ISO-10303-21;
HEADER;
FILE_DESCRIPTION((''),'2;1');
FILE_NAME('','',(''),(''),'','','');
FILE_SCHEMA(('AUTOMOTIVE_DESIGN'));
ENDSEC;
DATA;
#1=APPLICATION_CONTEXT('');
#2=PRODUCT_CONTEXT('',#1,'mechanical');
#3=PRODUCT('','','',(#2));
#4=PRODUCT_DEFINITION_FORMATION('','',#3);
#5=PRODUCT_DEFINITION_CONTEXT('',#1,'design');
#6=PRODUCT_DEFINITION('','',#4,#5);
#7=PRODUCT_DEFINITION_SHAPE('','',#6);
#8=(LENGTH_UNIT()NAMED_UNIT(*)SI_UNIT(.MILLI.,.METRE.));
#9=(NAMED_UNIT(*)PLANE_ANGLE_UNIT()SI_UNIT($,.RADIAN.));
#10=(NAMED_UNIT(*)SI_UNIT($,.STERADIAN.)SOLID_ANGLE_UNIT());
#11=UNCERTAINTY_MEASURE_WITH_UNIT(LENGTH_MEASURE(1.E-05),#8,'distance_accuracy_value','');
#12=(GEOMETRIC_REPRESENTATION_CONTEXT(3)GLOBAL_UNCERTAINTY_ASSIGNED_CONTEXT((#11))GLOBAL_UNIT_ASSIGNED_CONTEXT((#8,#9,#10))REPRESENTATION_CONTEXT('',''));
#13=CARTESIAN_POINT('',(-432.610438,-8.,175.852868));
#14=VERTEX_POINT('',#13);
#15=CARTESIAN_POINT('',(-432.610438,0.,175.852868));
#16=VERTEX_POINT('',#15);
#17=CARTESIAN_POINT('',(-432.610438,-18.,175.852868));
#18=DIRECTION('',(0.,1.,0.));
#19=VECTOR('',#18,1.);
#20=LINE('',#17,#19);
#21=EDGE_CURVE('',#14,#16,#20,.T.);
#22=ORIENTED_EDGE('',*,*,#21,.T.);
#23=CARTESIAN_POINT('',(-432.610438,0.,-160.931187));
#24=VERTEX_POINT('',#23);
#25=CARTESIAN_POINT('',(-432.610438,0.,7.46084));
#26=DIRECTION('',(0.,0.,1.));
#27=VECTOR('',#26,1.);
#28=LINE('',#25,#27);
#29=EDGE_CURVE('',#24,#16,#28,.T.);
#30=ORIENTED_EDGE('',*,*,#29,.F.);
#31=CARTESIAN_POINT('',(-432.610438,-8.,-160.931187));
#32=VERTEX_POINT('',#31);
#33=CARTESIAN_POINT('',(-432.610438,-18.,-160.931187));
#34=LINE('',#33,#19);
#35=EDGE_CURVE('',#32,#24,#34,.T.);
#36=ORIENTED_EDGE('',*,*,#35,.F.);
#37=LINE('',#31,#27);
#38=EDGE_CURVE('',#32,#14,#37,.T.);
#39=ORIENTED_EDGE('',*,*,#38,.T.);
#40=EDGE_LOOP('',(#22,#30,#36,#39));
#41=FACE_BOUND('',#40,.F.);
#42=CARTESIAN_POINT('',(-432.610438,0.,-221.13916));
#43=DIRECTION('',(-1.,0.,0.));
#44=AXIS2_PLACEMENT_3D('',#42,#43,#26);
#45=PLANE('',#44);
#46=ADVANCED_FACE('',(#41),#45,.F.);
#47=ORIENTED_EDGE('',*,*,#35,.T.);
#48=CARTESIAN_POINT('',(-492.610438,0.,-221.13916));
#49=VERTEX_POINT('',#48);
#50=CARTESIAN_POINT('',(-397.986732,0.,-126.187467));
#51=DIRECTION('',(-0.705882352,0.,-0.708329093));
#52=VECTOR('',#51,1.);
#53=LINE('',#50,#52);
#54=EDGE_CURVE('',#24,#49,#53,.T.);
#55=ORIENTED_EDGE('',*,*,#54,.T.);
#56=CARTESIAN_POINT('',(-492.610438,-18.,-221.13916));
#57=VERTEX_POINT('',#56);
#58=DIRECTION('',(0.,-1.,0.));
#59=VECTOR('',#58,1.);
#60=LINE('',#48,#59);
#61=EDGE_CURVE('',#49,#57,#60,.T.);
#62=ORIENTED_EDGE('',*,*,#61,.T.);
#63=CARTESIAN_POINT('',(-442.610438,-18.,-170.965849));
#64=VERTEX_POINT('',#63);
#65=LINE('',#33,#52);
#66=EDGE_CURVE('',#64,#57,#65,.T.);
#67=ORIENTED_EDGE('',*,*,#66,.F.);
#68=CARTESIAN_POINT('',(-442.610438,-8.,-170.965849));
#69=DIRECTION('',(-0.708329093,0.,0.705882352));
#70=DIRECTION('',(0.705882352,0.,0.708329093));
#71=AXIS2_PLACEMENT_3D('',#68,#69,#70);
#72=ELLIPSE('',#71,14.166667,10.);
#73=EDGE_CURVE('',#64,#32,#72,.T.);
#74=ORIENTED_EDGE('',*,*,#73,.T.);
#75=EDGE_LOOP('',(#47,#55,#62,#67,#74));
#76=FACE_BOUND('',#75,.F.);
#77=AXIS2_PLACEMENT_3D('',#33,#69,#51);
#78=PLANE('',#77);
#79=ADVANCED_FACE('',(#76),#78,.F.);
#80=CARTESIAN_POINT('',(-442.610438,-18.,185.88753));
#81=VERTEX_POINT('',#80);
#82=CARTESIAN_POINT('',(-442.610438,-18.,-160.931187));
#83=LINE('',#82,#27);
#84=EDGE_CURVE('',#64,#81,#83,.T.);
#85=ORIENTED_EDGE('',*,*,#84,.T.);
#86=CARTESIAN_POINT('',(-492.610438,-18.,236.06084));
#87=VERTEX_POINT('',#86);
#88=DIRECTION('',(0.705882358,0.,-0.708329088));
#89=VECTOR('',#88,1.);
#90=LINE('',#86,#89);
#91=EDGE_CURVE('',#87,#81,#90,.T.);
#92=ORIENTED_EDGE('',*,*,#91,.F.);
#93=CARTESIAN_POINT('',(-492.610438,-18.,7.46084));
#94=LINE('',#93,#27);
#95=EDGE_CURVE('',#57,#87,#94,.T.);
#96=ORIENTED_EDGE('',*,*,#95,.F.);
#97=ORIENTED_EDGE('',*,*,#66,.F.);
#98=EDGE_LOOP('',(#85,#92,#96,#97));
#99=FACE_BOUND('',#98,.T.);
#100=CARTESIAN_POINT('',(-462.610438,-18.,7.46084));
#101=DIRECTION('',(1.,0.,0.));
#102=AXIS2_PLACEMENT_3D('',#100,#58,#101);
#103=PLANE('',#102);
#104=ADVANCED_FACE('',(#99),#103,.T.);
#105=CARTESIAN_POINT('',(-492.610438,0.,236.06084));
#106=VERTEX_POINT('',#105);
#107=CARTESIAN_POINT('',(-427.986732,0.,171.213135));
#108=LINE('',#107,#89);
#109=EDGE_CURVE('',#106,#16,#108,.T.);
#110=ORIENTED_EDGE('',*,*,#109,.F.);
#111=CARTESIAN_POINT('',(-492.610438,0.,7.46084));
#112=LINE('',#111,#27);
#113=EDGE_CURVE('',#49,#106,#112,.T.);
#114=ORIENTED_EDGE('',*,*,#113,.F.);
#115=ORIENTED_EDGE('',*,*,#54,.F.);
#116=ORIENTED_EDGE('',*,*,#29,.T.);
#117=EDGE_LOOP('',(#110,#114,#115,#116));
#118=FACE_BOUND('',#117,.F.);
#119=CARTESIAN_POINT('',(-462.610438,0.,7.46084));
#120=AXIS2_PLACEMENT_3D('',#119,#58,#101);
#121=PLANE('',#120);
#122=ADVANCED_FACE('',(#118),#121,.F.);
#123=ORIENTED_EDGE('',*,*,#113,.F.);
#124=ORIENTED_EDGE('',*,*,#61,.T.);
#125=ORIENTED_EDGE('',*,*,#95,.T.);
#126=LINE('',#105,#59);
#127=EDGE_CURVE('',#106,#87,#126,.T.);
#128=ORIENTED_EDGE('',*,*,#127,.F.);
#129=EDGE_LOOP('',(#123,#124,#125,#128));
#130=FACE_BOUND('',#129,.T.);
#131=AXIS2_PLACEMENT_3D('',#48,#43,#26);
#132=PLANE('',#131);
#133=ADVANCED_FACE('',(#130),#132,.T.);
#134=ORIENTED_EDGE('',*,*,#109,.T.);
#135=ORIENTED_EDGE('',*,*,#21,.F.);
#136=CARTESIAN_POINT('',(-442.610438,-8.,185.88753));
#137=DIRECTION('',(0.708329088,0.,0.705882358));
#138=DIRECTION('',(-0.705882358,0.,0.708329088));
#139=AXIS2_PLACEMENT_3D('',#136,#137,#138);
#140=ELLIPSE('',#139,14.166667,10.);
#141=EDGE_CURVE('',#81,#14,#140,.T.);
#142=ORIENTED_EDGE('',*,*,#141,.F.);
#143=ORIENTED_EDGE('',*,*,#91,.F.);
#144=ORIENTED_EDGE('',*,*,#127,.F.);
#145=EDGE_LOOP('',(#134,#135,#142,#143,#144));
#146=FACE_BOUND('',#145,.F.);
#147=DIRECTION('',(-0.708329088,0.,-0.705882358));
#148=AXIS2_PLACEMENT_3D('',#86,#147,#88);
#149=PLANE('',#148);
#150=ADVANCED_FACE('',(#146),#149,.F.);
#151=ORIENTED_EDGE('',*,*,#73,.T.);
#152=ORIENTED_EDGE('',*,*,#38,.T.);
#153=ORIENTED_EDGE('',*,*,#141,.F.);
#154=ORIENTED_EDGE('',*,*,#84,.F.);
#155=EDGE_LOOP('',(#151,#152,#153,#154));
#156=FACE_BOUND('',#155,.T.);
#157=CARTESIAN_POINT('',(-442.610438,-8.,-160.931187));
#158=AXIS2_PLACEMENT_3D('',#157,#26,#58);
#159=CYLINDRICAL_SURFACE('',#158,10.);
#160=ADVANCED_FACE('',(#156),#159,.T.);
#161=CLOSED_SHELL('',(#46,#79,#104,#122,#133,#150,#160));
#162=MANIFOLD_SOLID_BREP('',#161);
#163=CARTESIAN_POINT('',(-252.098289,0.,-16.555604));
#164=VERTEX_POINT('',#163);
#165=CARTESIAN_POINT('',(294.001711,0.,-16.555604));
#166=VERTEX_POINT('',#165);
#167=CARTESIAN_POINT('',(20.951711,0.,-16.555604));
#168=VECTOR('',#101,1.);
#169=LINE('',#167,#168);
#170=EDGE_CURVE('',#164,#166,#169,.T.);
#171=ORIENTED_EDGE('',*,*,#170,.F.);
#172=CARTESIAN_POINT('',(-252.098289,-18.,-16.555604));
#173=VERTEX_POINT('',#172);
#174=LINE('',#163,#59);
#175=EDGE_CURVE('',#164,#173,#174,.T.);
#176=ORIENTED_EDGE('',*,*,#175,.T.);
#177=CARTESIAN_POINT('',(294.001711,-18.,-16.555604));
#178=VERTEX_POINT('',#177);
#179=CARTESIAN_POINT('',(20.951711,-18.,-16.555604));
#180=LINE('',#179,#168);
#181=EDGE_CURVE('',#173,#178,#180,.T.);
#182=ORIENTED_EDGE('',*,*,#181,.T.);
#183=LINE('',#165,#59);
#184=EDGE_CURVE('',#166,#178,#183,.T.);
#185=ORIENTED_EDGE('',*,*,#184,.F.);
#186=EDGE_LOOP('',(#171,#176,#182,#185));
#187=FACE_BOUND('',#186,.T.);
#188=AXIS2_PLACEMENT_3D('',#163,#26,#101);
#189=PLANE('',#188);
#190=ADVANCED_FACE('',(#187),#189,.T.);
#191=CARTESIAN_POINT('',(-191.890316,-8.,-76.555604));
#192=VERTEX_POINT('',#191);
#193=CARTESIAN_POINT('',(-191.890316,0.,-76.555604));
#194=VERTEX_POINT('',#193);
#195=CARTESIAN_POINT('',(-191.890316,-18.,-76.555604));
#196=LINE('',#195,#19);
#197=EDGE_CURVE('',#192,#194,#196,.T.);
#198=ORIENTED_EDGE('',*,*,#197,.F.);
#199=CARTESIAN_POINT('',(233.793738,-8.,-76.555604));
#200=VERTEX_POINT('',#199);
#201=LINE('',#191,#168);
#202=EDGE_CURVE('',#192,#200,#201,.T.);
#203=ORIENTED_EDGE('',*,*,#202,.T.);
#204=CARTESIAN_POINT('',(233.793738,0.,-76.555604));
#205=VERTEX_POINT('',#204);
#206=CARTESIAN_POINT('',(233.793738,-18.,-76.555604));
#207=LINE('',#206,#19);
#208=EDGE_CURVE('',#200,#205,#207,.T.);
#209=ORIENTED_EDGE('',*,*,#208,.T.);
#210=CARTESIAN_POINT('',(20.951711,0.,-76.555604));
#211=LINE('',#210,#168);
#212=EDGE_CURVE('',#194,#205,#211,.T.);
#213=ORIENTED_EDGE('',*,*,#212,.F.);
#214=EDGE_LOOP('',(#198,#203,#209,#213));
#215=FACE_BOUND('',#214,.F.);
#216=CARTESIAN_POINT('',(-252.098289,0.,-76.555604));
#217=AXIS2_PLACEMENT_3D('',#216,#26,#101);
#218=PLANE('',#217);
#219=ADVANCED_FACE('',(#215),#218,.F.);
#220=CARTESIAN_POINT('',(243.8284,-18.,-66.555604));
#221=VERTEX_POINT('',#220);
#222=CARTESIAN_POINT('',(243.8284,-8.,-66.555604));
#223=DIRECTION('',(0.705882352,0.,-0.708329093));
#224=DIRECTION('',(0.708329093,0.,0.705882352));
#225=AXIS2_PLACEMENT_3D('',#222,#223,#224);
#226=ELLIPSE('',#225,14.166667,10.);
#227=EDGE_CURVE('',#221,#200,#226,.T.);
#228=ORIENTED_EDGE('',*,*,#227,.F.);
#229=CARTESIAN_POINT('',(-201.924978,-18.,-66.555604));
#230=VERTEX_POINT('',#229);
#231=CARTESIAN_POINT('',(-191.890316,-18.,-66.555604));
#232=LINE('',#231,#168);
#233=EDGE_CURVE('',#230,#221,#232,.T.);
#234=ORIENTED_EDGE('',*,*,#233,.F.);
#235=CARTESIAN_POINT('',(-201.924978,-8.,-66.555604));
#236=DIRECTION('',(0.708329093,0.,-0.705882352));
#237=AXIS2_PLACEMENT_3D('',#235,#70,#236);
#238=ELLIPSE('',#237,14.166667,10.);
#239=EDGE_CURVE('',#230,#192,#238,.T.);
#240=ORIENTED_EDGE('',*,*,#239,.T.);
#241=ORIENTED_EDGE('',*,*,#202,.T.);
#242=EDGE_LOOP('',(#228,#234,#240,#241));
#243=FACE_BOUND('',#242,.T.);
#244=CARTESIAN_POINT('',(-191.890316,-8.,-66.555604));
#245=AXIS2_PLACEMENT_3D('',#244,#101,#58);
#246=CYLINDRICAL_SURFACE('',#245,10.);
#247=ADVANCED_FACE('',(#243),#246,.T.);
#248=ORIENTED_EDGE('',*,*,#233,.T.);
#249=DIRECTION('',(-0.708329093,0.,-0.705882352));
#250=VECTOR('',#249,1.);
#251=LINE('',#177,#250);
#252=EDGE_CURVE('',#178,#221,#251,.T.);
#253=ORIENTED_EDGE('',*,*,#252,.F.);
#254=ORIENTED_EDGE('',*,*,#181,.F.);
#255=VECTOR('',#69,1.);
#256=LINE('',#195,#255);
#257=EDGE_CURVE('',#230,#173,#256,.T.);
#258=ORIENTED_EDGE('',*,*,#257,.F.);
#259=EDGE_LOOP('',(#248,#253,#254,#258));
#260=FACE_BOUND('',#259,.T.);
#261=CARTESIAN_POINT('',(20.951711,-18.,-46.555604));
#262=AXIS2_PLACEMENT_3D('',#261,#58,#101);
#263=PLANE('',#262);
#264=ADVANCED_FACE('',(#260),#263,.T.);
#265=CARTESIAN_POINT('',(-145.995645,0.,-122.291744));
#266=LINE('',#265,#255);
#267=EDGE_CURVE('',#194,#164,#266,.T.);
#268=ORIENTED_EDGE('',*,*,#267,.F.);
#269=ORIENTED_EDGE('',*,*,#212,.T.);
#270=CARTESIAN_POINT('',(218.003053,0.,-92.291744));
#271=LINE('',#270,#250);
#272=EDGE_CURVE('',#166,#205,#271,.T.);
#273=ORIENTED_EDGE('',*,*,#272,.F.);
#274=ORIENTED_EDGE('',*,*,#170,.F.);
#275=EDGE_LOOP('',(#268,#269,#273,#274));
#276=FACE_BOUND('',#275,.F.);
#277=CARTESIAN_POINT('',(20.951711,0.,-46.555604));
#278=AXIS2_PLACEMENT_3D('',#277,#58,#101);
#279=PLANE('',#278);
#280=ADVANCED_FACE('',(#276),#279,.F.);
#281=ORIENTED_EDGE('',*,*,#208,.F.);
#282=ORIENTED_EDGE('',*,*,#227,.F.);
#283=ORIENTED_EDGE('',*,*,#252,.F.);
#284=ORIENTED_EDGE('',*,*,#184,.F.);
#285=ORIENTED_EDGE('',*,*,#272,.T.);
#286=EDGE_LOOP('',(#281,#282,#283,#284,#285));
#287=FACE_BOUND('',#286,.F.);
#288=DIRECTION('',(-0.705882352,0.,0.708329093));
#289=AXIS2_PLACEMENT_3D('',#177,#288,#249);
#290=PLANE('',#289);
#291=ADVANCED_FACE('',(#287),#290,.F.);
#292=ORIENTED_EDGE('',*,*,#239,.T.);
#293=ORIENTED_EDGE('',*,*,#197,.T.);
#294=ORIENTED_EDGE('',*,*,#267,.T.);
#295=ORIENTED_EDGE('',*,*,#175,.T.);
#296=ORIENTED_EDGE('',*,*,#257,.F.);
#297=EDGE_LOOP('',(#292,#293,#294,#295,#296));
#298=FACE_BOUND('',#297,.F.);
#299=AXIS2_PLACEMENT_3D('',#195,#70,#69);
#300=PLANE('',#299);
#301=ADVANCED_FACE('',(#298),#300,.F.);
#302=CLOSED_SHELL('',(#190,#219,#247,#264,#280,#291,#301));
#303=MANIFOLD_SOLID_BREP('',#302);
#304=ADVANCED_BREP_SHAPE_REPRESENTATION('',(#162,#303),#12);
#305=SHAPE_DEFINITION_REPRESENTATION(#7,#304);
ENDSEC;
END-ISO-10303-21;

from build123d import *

# Parameters (mm, degrees)
F0_W      = 546.1
F0_H      = 60
F1_DEPTH  = 18
F3_DEPTH  = 18.001
F5_DEPTH  = 18.001
F6_W      = 60
F6_H      = 457.2
F7_DEPTH  = 18
F9_DEPTH  = 18.001
F11_DEPTH = 18.001
F12_R     = 10
F13_R     = 10


with BuildPart() as f1:
    # F0 (on Front) → F1 (new body)
    with BuildSketch(Plane.XZ):
        with Locations((20.951711, -46.555604)):
            Rectangle(F0_W, F0_H)
    extrude(amount=F1_DEPTH)

    # F2 (on face) → F3 (cut, through all)
    with BuildSketch(Plane.XZ.offset(18)):
        Polygon((-191.890316, -76.555604), (-252.098289, -16.555604), (-252.098289, -76.555604), align=None)
    extrude(amount=-F3_DEPTH, mode=Mode.SUBTRACT)

    # F4 (on face) → F5 (cut, through all)
    with BuildSketch(Plane.XZ.offset(18)):
        Polygon((294.001711, -76.555604), (294.001711, -16.555604), (233.793738, -76.555604), align=None)
    extrude(amount=-F5_DEPTH, mode=Mode.SUBTRACT)

    # F12
    f12_edges = [f1.edges().sort_by_distance(p)[0] for p in [
        (20.951711, -18, -76.555604),
    ]]
    fillet(f12_edges, radius=F12_R)


with BuildPart() as f7:
    # F6 (on Front) → F7 (new body)
    with BuildSketch(Plane.XZ):
        with Locations((-462.610438, 7.46084)):
            Rectangle(F6_W, F6_H)
    extrude(amount=F7_DEPTH)

    # F8 (on face) → F9 (cut, through all)
    with BuildSketch(Plane.XZ.offset(18)):
        Polygon((-432.610438, 236.06084), (-492.610438, 236.06084), (-432.610438, 175.852868), align=None)
    extrude(amount=-F9_DEPTH, mode=Mode.SUBTRACT)

    # F10 (on face) → F11 (cut, through all)
    with BuildSketch(Plane.XZ.offset(18)):
        Polygon((-432.610438, -160.931187), (-492.610438, -221.13916), (-432.610438, -221.13916), align=None)
    extrude(amount=-F11_DEPTH, mode=Mode.SUBTRACT)

    # F13
    f13_edges = [f7.edges().sort_by_distance(p)[0] for p in [
        (-432.610438, -18, 7.46084),
    ]]
    fillet(f13_edges, radius=F13_R)


solid = Compound([f1.part, f7.part])
